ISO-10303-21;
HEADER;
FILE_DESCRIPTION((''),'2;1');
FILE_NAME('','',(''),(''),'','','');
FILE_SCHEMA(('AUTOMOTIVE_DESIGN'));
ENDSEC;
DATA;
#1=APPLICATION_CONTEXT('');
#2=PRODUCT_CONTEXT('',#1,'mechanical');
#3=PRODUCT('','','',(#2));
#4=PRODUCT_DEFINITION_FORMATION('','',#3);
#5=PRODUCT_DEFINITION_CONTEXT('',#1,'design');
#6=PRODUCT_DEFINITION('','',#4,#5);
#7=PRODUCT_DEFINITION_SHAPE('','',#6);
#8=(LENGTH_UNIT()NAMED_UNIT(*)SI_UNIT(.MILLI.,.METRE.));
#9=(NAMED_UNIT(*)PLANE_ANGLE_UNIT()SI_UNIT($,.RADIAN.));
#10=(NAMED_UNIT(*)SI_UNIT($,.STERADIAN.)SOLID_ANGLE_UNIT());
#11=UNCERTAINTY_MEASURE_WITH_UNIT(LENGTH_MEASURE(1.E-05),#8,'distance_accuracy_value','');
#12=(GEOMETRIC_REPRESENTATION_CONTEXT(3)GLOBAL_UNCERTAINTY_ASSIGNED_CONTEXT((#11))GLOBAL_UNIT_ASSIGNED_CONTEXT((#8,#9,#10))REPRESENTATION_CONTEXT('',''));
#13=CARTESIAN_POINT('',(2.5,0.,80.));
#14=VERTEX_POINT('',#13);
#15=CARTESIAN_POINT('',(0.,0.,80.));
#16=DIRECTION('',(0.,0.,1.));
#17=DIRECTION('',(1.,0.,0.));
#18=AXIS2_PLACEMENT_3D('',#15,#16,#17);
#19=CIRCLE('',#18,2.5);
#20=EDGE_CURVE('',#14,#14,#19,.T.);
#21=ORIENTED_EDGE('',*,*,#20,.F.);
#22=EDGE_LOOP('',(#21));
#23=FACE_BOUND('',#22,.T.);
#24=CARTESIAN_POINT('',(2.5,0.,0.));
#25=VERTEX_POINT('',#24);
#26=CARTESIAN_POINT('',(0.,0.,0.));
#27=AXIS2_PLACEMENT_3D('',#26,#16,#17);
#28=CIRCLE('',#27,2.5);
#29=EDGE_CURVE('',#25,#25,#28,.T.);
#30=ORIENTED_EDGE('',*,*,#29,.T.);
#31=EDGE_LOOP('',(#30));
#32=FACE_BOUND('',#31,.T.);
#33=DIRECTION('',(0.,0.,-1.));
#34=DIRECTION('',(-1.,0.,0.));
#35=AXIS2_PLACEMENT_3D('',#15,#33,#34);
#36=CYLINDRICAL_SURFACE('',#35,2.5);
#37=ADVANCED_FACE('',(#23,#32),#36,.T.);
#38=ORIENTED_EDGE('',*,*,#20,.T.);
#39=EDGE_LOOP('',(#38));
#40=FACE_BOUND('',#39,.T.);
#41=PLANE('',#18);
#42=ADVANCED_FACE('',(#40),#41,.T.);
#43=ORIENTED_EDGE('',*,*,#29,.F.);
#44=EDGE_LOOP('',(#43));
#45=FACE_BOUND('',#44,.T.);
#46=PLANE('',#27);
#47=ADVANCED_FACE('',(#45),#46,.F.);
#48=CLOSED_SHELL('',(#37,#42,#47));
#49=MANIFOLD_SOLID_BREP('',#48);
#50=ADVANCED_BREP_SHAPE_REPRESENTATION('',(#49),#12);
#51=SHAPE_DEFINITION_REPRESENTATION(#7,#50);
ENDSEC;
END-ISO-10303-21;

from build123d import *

# Parameters (mm, degrees)
SKETCH1_R           = 2.5
BOSS_EXTRUDE1_DEPTH = 80


with BuildPart() as part:
    # Sketch1 → Boss-Extrude1 (new body)
    with BuildSketch(Plane.XY):
        Circle(SKETCH1_R)
    extrude(amount=BOSS_EXTRUDE1_DEPTH)


solid = part.part
